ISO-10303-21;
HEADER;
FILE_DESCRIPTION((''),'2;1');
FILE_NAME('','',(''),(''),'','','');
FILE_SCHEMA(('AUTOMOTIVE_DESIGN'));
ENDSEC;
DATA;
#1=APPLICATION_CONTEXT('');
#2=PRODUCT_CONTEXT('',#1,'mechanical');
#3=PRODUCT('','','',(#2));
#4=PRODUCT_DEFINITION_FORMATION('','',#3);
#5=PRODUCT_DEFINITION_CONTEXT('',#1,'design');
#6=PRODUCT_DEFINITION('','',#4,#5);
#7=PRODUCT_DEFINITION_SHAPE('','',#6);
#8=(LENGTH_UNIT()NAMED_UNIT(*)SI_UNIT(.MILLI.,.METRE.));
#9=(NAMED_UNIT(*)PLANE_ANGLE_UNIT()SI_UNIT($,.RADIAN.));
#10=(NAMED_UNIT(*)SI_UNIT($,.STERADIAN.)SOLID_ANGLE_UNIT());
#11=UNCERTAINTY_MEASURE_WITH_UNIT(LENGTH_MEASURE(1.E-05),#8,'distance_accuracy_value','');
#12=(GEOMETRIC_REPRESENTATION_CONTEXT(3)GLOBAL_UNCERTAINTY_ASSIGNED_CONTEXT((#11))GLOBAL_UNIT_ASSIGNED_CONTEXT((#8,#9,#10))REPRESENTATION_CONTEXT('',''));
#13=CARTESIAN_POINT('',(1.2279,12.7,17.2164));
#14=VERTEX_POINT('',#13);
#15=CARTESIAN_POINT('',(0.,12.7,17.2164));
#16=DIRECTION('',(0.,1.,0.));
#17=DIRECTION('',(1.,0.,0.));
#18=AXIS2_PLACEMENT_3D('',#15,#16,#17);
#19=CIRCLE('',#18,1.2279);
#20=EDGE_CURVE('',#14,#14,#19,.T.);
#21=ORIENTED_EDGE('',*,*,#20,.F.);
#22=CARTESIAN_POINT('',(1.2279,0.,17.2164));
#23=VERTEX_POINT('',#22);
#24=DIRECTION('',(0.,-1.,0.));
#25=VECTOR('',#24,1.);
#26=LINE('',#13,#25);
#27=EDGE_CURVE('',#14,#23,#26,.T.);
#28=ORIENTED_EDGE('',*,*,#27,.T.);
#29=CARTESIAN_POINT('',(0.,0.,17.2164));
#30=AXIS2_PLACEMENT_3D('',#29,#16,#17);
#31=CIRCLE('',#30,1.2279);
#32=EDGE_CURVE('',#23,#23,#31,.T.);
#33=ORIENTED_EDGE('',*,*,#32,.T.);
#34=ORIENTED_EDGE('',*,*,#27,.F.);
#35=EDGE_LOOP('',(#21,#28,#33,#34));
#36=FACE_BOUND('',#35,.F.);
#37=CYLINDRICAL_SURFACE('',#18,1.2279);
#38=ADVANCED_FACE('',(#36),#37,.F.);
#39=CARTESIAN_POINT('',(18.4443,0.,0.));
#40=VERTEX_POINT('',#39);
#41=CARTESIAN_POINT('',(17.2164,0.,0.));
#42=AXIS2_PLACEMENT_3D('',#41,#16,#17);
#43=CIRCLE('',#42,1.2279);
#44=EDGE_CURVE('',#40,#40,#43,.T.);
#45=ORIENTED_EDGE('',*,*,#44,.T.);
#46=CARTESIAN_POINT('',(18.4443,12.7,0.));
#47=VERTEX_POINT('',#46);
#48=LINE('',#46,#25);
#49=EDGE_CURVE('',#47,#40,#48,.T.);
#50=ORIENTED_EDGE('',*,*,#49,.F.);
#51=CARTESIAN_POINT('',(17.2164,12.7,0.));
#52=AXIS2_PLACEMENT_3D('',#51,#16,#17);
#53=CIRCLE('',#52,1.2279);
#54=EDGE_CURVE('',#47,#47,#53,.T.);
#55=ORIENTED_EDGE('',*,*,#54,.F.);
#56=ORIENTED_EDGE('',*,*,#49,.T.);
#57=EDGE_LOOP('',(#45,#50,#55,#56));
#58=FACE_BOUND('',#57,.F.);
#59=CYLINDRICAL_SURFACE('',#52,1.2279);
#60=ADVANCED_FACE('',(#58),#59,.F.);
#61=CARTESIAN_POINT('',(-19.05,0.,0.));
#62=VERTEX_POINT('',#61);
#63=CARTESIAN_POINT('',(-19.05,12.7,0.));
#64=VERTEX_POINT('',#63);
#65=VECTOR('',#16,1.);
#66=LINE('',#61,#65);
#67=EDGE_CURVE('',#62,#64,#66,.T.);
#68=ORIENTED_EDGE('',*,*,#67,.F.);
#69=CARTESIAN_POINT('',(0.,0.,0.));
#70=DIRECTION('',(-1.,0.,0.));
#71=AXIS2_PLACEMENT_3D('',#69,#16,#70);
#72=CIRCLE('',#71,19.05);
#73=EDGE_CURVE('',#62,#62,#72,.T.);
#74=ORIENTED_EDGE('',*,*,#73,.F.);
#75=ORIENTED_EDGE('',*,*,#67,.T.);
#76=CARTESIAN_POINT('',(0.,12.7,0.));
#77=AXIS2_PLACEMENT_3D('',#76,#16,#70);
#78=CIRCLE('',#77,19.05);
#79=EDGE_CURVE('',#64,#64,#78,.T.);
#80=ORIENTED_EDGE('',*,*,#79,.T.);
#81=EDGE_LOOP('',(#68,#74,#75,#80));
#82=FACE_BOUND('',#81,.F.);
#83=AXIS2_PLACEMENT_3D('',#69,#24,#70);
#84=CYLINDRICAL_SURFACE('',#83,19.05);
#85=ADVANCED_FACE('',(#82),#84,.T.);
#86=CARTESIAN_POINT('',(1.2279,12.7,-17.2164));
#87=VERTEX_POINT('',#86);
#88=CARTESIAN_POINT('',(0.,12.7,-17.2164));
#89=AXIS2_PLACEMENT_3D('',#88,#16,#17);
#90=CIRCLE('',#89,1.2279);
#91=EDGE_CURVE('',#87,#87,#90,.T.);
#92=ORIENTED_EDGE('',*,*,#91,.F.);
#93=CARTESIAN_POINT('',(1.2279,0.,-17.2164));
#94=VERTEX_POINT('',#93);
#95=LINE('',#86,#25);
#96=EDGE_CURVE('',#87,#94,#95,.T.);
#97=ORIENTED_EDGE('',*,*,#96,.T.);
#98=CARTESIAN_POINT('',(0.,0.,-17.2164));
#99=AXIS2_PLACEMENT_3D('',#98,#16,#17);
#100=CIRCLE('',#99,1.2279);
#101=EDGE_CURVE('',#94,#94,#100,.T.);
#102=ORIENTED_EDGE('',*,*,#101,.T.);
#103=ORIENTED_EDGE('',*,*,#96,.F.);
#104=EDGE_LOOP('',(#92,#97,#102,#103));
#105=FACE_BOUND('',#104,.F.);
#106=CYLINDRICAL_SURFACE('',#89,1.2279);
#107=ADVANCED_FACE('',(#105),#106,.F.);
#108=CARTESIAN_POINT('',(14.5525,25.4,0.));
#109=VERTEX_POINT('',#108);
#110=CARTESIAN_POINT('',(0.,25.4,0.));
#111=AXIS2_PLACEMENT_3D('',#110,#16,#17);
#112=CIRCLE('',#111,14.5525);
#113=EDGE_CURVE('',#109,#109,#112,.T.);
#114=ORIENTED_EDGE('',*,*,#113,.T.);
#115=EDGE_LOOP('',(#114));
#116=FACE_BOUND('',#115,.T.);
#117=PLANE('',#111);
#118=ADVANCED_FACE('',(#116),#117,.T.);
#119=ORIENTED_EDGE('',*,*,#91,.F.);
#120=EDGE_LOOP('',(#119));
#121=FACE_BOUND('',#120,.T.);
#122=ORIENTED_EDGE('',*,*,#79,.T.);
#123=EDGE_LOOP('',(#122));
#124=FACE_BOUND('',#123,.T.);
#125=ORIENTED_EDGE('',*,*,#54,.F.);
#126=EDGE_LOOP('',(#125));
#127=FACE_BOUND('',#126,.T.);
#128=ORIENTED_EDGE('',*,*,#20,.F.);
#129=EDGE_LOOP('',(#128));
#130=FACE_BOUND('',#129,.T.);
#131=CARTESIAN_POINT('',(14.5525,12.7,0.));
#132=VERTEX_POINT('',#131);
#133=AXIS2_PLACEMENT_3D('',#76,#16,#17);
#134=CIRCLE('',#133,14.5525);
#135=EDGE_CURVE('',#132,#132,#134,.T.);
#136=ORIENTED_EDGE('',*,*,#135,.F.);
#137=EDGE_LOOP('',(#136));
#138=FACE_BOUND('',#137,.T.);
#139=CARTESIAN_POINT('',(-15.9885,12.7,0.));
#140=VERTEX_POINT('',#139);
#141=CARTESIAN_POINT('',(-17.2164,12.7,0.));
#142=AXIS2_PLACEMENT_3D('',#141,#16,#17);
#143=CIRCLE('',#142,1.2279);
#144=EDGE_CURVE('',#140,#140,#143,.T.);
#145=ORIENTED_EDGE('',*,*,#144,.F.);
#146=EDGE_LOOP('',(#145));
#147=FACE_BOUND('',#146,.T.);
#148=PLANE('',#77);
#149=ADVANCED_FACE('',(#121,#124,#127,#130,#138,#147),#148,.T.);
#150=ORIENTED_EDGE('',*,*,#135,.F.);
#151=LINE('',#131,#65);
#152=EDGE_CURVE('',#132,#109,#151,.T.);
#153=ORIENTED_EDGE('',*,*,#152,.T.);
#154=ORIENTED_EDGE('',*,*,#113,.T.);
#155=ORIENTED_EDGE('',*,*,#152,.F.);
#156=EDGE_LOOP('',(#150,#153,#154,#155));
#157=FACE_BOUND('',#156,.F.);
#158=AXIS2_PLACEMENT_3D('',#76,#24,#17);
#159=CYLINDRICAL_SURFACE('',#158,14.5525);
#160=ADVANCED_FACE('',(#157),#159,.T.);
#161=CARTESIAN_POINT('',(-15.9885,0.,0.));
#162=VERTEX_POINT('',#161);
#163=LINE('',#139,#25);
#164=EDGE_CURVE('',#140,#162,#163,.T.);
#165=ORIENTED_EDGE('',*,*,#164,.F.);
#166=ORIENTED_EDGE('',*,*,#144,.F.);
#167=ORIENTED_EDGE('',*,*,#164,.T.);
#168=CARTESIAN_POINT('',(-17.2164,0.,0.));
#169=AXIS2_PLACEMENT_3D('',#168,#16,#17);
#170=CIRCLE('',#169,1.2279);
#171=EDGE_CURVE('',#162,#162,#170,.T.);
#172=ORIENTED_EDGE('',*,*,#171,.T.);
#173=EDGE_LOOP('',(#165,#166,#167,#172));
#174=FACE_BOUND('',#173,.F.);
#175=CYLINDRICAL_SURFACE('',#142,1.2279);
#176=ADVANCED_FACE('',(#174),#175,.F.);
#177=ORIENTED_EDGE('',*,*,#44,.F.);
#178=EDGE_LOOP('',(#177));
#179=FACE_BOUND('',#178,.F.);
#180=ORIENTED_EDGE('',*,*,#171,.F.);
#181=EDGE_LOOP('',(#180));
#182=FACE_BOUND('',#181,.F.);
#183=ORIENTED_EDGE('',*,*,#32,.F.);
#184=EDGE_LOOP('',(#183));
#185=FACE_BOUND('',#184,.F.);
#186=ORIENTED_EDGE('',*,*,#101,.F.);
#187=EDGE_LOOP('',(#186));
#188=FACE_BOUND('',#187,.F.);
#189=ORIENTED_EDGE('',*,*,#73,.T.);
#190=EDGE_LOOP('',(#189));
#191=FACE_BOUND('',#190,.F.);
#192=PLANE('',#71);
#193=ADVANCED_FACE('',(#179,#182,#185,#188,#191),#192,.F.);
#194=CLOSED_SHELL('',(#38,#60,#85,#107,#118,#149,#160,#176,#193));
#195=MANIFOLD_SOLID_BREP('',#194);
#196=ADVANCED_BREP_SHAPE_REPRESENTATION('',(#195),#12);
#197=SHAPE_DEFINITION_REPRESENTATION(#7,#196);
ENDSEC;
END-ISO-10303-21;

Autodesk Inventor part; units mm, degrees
ref_plane "YZ Plane" through (0, 0, 0) normal (1, 0, 0) x (0, 1, 0)
ref_plane "XZ Plane" through (0, 0, 0) normal (0, 1, 0) x (-1, 0, 0)
ref_plane "XY Plane" through (0, 0, 0) normal (0, 0, 1) x (1, 0, 0)
sketch "Sketch1" plane through (0, 0, 0) normal (0, 1, 0) x (-1, 0, 0)
  circle A0 centre (0, 0) radius 19.05
  dimension "d0" = 38.1
extrude "Extrusion1" add sketch "Sketch1" along normal blind 12.7
sketch "Sketch2" plane through (0, 12.7, 0) normal (0, 1, 0) x (1, 0, 0)
  circle A0 centre (-17.2164, 0) radius 1.2279
  circle A1 centre (0, -17.2164) radius 1.2279
  circle A2 centre (17.2164, 0) radius 1.2279
  circle A3 centre (0, 17.2164) radius 1.2279
  circle A4 centre (0, 0) radius 14.5525
  dimension "d5" = 360
extrude "Extrusion2" add sketch "Sketch2" along normal blind 12.7 contours A4
extrude "Extrusion3" cut sketch "Sketch2" against normal up to next contours A0 | A1 | A2 | A3
properties part number "7.2 part 2"
